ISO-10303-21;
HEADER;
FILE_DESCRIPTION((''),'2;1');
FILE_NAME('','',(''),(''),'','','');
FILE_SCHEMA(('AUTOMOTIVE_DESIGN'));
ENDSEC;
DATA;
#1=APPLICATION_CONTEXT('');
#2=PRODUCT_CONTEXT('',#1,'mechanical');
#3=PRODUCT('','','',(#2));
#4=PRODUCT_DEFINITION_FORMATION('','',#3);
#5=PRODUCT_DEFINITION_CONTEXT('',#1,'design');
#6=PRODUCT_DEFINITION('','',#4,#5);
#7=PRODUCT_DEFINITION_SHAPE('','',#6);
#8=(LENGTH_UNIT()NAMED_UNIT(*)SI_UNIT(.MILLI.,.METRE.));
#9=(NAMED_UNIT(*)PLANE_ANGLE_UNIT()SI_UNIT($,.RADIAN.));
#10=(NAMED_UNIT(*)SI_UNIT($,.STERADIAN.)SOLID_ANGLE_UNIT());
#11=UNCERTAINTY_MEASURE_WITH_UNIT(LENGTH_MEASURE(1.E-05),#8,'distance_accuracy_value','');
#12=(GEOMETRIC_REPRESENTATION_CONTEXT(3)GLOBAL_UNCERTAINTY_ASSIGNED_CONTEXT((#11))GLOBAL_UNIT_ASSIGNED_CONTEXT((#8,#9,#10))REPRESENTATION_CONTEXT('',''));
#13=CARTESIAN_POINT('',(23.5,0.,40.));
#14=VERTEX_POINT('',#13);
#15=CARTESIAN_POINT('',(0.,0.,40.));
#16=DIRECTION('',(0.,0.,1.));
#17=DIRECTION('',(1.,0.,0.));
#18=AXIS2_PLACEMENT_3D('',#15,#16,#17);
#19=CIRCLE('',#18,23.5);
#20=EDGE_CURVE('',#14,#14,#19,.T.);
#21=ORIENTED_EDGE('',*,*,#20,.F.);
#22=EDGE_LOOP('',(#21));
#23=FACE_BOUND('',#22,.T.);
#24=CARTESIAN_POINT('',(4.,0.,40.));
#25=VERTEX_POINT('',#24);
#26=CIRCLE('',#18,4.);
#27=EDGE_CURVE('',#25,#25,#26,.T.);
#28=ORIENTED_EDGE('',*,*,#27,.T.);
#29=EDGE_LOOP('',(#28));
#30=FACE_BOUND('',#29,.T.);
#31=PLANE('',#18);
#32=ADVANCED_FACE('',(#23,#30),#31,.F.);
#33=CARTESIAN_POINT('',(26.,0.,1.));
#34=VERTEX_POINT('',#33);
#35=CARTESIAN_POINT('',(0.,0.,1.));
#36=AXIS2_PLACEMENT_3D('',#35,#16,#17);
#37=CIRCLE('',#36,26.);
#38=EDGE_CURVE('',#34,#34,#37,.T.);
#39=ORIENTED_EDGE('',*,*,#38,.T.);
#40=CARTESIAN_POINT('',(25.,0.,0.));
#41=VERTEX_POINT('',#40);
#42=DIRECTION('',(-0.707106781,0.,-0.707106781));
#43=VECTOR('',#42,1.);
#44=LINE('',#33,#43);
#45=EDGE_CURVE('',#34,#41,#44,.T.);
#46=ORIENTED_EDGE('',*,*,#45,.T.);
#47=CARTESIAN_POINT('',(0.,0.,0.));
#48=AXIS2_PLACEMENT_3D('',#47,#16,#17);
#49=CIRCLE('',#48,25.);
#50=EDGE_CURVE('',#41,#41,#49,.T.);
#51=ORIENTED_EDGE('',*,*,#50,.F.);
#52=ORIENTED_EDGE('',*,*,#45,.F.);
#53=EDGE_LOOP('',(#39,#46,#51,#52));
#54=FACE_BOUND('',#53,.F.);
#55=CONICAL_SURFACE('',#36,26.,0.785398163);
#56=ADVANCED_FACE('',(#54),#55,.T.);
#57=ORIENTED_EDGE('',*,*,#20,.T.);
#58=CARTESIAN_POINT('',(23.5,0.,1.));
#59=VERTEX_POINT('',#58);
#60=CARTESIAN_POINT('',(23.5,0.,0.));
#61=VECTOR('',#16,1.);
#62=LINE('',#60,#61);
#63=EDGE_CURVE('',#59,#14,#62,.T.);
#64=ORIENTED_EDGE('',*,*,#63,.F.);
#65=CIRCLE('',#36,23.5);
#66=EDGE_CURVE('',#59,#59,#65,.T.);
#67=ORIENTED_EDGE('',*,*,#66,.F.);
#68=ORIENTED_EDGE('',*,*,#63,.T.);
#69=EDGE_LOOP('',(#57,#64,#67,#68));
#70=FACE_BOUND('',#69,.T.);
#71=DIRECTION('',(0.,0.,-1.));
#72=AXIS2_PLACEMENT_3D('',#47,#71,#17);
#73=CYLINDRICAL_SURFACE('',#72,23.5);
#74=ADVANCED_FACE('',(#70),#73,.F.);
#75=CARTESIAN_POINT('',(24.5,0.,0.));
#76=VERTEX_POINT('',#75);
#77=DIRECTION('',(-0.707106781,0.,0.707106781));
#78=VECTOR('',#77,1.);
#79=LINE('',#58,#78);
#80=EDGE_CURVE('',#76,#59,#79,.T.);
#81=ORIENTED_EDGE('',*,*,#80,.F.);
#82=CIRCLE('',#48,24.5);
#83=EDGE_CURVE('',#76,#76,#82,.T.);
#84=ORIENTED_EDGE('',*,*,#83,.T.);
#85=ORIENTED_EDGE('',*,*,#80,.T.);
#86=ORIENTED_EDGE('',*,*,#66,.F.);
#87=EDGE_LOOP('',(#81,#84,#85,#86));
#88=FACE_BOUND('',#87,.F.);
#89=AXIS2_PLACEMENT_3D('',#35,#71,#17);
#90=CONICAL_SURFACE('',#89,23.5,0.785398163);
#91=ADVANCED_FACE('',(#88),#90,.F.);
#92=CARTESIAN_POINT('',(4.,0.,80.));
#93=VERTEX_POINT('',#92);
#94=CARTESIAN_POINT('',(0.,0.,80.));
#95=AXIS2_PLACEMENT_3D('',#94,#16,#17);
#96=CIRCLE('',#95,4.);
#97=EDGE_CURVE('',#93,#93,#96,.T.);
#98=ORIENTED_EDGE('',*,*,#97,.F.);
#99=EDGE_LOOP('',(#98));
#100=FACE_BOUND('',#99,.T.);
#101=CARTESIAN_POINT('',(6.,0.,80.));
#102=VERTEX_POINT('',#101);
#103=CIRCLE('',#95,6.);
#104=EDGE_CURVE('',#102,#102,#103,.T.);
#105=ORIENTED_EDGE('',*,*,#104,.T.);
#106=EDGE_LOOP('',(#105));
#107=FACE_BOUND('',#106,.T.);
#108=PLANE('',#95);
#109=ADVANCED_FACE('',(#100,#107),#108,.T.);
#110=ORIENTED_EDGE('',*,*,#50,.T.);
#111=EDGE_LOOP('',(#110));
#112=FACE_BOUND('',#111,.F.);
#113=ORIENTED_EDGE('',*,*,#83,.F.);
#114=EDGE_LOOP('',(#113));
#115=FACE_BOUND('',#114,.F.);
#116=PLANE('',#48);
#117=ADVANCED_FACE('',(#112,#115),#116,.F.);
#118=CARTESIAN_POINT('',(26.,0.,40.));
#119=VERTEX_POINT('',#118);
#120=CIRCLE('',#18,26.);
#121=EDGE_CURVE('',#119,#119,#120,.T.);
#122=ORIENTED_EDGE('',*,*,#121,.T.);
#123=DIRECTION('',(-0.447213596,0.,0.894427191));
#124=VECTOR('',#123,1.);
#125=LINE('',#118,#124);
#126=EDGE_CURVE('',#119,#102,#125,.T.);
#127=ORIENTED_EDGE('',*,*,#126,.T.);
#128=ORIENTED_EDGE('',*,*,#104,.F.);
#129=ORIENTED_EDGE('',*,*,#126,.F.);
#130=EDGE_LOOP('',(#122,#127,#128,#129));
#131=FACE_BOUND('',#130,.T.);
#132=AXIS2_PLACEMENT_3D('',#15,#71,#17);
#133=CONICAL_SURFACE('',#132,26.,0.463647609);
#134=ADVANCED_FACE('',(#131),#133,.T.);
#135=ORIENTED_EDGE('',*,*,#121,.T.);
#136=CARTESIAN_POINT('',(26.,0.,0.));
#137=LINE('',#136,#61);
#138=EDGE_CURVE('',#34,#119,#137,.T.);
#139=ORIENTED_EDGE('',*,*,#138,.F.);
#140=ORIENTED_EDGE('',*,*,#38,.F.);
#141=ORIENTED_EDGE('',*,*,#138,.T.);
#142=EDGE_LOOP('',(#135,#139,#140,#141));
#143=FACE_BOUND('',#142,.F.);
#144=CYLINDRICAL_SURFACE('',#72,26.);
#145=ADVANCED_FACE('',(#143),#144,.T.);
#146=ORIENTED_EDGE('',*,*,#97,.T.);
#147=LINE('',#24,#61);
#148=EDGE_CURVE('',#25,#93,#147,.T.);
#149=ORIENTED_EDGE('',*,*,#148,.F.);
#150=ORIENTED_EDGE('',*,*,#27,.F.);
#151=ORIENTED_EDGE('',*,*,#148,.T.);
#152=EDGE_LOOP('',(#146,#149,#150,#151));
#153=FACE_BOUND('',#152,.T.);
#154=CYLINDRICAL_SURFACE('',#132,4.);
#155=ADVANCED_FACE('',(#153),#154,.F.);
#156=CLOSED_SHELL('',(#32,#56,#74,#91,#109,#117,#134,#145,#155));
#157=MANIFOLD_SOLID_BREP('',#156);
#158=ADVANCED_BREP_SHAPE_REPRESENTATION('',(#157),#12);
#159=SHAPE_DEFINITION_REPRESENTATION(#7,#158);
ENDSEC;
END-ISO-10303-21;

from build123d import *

# Parameters (mm, degrees)
CYLINDER_R     = 4
CYLINDER_DEPTH = 40
TUBE_R         = 26
TUBE_R_2       = 23.5
TUBE_DEPTH     = 40
CHAMFER_SIZE   = 1


with BuildPart() as cylinder:
    # Cylinder → Cylinder (new body)
    with BuildSketch(Plane.XY.offset(40)):
        Circle(CYLINDER_R)
    extrude(amount=CYLINDER_DEPTH)


with BuildPart() as tube:
    # Tube → Tube (new body)
    with BuildSketch(Plane.XY):
        Circle(TUBE_R)
        Circle(TUBE_R_2, mode=Mode.SUBTRACT)
    extrude(amount=TUBE_DEPTH)


with BuildPart() as chamfer_body:
    # Cone → Cone (revolve)
    with BuildSketch(Plane(origin=(0, 0, 40), x_dir=(1, 0, 0), z_dir=(0, -1, 0))):
        Polygon((0, 0), (26, 0), (6, 40), (0, 40), align=None)
    revolve(axis=Axis((0, 0, 40), (0, 0, 1)))

    # Fusion: union Tube
    add(tube.part)

    # Cut: cut Cylinder
    add(cylinder.part, mode=Mode.SUBTRACT)

    # Chamfer
    chamfer_edges = [chamfer_body.edges().sort_by_distance(p)[0] for p in [
        (-26, 0, 0),
        (-23.5, 0, 0),
    ]]
    chamfer(chamfer_edges, length=CHAMFER_SIZE)


solid = chamfer_body.part
